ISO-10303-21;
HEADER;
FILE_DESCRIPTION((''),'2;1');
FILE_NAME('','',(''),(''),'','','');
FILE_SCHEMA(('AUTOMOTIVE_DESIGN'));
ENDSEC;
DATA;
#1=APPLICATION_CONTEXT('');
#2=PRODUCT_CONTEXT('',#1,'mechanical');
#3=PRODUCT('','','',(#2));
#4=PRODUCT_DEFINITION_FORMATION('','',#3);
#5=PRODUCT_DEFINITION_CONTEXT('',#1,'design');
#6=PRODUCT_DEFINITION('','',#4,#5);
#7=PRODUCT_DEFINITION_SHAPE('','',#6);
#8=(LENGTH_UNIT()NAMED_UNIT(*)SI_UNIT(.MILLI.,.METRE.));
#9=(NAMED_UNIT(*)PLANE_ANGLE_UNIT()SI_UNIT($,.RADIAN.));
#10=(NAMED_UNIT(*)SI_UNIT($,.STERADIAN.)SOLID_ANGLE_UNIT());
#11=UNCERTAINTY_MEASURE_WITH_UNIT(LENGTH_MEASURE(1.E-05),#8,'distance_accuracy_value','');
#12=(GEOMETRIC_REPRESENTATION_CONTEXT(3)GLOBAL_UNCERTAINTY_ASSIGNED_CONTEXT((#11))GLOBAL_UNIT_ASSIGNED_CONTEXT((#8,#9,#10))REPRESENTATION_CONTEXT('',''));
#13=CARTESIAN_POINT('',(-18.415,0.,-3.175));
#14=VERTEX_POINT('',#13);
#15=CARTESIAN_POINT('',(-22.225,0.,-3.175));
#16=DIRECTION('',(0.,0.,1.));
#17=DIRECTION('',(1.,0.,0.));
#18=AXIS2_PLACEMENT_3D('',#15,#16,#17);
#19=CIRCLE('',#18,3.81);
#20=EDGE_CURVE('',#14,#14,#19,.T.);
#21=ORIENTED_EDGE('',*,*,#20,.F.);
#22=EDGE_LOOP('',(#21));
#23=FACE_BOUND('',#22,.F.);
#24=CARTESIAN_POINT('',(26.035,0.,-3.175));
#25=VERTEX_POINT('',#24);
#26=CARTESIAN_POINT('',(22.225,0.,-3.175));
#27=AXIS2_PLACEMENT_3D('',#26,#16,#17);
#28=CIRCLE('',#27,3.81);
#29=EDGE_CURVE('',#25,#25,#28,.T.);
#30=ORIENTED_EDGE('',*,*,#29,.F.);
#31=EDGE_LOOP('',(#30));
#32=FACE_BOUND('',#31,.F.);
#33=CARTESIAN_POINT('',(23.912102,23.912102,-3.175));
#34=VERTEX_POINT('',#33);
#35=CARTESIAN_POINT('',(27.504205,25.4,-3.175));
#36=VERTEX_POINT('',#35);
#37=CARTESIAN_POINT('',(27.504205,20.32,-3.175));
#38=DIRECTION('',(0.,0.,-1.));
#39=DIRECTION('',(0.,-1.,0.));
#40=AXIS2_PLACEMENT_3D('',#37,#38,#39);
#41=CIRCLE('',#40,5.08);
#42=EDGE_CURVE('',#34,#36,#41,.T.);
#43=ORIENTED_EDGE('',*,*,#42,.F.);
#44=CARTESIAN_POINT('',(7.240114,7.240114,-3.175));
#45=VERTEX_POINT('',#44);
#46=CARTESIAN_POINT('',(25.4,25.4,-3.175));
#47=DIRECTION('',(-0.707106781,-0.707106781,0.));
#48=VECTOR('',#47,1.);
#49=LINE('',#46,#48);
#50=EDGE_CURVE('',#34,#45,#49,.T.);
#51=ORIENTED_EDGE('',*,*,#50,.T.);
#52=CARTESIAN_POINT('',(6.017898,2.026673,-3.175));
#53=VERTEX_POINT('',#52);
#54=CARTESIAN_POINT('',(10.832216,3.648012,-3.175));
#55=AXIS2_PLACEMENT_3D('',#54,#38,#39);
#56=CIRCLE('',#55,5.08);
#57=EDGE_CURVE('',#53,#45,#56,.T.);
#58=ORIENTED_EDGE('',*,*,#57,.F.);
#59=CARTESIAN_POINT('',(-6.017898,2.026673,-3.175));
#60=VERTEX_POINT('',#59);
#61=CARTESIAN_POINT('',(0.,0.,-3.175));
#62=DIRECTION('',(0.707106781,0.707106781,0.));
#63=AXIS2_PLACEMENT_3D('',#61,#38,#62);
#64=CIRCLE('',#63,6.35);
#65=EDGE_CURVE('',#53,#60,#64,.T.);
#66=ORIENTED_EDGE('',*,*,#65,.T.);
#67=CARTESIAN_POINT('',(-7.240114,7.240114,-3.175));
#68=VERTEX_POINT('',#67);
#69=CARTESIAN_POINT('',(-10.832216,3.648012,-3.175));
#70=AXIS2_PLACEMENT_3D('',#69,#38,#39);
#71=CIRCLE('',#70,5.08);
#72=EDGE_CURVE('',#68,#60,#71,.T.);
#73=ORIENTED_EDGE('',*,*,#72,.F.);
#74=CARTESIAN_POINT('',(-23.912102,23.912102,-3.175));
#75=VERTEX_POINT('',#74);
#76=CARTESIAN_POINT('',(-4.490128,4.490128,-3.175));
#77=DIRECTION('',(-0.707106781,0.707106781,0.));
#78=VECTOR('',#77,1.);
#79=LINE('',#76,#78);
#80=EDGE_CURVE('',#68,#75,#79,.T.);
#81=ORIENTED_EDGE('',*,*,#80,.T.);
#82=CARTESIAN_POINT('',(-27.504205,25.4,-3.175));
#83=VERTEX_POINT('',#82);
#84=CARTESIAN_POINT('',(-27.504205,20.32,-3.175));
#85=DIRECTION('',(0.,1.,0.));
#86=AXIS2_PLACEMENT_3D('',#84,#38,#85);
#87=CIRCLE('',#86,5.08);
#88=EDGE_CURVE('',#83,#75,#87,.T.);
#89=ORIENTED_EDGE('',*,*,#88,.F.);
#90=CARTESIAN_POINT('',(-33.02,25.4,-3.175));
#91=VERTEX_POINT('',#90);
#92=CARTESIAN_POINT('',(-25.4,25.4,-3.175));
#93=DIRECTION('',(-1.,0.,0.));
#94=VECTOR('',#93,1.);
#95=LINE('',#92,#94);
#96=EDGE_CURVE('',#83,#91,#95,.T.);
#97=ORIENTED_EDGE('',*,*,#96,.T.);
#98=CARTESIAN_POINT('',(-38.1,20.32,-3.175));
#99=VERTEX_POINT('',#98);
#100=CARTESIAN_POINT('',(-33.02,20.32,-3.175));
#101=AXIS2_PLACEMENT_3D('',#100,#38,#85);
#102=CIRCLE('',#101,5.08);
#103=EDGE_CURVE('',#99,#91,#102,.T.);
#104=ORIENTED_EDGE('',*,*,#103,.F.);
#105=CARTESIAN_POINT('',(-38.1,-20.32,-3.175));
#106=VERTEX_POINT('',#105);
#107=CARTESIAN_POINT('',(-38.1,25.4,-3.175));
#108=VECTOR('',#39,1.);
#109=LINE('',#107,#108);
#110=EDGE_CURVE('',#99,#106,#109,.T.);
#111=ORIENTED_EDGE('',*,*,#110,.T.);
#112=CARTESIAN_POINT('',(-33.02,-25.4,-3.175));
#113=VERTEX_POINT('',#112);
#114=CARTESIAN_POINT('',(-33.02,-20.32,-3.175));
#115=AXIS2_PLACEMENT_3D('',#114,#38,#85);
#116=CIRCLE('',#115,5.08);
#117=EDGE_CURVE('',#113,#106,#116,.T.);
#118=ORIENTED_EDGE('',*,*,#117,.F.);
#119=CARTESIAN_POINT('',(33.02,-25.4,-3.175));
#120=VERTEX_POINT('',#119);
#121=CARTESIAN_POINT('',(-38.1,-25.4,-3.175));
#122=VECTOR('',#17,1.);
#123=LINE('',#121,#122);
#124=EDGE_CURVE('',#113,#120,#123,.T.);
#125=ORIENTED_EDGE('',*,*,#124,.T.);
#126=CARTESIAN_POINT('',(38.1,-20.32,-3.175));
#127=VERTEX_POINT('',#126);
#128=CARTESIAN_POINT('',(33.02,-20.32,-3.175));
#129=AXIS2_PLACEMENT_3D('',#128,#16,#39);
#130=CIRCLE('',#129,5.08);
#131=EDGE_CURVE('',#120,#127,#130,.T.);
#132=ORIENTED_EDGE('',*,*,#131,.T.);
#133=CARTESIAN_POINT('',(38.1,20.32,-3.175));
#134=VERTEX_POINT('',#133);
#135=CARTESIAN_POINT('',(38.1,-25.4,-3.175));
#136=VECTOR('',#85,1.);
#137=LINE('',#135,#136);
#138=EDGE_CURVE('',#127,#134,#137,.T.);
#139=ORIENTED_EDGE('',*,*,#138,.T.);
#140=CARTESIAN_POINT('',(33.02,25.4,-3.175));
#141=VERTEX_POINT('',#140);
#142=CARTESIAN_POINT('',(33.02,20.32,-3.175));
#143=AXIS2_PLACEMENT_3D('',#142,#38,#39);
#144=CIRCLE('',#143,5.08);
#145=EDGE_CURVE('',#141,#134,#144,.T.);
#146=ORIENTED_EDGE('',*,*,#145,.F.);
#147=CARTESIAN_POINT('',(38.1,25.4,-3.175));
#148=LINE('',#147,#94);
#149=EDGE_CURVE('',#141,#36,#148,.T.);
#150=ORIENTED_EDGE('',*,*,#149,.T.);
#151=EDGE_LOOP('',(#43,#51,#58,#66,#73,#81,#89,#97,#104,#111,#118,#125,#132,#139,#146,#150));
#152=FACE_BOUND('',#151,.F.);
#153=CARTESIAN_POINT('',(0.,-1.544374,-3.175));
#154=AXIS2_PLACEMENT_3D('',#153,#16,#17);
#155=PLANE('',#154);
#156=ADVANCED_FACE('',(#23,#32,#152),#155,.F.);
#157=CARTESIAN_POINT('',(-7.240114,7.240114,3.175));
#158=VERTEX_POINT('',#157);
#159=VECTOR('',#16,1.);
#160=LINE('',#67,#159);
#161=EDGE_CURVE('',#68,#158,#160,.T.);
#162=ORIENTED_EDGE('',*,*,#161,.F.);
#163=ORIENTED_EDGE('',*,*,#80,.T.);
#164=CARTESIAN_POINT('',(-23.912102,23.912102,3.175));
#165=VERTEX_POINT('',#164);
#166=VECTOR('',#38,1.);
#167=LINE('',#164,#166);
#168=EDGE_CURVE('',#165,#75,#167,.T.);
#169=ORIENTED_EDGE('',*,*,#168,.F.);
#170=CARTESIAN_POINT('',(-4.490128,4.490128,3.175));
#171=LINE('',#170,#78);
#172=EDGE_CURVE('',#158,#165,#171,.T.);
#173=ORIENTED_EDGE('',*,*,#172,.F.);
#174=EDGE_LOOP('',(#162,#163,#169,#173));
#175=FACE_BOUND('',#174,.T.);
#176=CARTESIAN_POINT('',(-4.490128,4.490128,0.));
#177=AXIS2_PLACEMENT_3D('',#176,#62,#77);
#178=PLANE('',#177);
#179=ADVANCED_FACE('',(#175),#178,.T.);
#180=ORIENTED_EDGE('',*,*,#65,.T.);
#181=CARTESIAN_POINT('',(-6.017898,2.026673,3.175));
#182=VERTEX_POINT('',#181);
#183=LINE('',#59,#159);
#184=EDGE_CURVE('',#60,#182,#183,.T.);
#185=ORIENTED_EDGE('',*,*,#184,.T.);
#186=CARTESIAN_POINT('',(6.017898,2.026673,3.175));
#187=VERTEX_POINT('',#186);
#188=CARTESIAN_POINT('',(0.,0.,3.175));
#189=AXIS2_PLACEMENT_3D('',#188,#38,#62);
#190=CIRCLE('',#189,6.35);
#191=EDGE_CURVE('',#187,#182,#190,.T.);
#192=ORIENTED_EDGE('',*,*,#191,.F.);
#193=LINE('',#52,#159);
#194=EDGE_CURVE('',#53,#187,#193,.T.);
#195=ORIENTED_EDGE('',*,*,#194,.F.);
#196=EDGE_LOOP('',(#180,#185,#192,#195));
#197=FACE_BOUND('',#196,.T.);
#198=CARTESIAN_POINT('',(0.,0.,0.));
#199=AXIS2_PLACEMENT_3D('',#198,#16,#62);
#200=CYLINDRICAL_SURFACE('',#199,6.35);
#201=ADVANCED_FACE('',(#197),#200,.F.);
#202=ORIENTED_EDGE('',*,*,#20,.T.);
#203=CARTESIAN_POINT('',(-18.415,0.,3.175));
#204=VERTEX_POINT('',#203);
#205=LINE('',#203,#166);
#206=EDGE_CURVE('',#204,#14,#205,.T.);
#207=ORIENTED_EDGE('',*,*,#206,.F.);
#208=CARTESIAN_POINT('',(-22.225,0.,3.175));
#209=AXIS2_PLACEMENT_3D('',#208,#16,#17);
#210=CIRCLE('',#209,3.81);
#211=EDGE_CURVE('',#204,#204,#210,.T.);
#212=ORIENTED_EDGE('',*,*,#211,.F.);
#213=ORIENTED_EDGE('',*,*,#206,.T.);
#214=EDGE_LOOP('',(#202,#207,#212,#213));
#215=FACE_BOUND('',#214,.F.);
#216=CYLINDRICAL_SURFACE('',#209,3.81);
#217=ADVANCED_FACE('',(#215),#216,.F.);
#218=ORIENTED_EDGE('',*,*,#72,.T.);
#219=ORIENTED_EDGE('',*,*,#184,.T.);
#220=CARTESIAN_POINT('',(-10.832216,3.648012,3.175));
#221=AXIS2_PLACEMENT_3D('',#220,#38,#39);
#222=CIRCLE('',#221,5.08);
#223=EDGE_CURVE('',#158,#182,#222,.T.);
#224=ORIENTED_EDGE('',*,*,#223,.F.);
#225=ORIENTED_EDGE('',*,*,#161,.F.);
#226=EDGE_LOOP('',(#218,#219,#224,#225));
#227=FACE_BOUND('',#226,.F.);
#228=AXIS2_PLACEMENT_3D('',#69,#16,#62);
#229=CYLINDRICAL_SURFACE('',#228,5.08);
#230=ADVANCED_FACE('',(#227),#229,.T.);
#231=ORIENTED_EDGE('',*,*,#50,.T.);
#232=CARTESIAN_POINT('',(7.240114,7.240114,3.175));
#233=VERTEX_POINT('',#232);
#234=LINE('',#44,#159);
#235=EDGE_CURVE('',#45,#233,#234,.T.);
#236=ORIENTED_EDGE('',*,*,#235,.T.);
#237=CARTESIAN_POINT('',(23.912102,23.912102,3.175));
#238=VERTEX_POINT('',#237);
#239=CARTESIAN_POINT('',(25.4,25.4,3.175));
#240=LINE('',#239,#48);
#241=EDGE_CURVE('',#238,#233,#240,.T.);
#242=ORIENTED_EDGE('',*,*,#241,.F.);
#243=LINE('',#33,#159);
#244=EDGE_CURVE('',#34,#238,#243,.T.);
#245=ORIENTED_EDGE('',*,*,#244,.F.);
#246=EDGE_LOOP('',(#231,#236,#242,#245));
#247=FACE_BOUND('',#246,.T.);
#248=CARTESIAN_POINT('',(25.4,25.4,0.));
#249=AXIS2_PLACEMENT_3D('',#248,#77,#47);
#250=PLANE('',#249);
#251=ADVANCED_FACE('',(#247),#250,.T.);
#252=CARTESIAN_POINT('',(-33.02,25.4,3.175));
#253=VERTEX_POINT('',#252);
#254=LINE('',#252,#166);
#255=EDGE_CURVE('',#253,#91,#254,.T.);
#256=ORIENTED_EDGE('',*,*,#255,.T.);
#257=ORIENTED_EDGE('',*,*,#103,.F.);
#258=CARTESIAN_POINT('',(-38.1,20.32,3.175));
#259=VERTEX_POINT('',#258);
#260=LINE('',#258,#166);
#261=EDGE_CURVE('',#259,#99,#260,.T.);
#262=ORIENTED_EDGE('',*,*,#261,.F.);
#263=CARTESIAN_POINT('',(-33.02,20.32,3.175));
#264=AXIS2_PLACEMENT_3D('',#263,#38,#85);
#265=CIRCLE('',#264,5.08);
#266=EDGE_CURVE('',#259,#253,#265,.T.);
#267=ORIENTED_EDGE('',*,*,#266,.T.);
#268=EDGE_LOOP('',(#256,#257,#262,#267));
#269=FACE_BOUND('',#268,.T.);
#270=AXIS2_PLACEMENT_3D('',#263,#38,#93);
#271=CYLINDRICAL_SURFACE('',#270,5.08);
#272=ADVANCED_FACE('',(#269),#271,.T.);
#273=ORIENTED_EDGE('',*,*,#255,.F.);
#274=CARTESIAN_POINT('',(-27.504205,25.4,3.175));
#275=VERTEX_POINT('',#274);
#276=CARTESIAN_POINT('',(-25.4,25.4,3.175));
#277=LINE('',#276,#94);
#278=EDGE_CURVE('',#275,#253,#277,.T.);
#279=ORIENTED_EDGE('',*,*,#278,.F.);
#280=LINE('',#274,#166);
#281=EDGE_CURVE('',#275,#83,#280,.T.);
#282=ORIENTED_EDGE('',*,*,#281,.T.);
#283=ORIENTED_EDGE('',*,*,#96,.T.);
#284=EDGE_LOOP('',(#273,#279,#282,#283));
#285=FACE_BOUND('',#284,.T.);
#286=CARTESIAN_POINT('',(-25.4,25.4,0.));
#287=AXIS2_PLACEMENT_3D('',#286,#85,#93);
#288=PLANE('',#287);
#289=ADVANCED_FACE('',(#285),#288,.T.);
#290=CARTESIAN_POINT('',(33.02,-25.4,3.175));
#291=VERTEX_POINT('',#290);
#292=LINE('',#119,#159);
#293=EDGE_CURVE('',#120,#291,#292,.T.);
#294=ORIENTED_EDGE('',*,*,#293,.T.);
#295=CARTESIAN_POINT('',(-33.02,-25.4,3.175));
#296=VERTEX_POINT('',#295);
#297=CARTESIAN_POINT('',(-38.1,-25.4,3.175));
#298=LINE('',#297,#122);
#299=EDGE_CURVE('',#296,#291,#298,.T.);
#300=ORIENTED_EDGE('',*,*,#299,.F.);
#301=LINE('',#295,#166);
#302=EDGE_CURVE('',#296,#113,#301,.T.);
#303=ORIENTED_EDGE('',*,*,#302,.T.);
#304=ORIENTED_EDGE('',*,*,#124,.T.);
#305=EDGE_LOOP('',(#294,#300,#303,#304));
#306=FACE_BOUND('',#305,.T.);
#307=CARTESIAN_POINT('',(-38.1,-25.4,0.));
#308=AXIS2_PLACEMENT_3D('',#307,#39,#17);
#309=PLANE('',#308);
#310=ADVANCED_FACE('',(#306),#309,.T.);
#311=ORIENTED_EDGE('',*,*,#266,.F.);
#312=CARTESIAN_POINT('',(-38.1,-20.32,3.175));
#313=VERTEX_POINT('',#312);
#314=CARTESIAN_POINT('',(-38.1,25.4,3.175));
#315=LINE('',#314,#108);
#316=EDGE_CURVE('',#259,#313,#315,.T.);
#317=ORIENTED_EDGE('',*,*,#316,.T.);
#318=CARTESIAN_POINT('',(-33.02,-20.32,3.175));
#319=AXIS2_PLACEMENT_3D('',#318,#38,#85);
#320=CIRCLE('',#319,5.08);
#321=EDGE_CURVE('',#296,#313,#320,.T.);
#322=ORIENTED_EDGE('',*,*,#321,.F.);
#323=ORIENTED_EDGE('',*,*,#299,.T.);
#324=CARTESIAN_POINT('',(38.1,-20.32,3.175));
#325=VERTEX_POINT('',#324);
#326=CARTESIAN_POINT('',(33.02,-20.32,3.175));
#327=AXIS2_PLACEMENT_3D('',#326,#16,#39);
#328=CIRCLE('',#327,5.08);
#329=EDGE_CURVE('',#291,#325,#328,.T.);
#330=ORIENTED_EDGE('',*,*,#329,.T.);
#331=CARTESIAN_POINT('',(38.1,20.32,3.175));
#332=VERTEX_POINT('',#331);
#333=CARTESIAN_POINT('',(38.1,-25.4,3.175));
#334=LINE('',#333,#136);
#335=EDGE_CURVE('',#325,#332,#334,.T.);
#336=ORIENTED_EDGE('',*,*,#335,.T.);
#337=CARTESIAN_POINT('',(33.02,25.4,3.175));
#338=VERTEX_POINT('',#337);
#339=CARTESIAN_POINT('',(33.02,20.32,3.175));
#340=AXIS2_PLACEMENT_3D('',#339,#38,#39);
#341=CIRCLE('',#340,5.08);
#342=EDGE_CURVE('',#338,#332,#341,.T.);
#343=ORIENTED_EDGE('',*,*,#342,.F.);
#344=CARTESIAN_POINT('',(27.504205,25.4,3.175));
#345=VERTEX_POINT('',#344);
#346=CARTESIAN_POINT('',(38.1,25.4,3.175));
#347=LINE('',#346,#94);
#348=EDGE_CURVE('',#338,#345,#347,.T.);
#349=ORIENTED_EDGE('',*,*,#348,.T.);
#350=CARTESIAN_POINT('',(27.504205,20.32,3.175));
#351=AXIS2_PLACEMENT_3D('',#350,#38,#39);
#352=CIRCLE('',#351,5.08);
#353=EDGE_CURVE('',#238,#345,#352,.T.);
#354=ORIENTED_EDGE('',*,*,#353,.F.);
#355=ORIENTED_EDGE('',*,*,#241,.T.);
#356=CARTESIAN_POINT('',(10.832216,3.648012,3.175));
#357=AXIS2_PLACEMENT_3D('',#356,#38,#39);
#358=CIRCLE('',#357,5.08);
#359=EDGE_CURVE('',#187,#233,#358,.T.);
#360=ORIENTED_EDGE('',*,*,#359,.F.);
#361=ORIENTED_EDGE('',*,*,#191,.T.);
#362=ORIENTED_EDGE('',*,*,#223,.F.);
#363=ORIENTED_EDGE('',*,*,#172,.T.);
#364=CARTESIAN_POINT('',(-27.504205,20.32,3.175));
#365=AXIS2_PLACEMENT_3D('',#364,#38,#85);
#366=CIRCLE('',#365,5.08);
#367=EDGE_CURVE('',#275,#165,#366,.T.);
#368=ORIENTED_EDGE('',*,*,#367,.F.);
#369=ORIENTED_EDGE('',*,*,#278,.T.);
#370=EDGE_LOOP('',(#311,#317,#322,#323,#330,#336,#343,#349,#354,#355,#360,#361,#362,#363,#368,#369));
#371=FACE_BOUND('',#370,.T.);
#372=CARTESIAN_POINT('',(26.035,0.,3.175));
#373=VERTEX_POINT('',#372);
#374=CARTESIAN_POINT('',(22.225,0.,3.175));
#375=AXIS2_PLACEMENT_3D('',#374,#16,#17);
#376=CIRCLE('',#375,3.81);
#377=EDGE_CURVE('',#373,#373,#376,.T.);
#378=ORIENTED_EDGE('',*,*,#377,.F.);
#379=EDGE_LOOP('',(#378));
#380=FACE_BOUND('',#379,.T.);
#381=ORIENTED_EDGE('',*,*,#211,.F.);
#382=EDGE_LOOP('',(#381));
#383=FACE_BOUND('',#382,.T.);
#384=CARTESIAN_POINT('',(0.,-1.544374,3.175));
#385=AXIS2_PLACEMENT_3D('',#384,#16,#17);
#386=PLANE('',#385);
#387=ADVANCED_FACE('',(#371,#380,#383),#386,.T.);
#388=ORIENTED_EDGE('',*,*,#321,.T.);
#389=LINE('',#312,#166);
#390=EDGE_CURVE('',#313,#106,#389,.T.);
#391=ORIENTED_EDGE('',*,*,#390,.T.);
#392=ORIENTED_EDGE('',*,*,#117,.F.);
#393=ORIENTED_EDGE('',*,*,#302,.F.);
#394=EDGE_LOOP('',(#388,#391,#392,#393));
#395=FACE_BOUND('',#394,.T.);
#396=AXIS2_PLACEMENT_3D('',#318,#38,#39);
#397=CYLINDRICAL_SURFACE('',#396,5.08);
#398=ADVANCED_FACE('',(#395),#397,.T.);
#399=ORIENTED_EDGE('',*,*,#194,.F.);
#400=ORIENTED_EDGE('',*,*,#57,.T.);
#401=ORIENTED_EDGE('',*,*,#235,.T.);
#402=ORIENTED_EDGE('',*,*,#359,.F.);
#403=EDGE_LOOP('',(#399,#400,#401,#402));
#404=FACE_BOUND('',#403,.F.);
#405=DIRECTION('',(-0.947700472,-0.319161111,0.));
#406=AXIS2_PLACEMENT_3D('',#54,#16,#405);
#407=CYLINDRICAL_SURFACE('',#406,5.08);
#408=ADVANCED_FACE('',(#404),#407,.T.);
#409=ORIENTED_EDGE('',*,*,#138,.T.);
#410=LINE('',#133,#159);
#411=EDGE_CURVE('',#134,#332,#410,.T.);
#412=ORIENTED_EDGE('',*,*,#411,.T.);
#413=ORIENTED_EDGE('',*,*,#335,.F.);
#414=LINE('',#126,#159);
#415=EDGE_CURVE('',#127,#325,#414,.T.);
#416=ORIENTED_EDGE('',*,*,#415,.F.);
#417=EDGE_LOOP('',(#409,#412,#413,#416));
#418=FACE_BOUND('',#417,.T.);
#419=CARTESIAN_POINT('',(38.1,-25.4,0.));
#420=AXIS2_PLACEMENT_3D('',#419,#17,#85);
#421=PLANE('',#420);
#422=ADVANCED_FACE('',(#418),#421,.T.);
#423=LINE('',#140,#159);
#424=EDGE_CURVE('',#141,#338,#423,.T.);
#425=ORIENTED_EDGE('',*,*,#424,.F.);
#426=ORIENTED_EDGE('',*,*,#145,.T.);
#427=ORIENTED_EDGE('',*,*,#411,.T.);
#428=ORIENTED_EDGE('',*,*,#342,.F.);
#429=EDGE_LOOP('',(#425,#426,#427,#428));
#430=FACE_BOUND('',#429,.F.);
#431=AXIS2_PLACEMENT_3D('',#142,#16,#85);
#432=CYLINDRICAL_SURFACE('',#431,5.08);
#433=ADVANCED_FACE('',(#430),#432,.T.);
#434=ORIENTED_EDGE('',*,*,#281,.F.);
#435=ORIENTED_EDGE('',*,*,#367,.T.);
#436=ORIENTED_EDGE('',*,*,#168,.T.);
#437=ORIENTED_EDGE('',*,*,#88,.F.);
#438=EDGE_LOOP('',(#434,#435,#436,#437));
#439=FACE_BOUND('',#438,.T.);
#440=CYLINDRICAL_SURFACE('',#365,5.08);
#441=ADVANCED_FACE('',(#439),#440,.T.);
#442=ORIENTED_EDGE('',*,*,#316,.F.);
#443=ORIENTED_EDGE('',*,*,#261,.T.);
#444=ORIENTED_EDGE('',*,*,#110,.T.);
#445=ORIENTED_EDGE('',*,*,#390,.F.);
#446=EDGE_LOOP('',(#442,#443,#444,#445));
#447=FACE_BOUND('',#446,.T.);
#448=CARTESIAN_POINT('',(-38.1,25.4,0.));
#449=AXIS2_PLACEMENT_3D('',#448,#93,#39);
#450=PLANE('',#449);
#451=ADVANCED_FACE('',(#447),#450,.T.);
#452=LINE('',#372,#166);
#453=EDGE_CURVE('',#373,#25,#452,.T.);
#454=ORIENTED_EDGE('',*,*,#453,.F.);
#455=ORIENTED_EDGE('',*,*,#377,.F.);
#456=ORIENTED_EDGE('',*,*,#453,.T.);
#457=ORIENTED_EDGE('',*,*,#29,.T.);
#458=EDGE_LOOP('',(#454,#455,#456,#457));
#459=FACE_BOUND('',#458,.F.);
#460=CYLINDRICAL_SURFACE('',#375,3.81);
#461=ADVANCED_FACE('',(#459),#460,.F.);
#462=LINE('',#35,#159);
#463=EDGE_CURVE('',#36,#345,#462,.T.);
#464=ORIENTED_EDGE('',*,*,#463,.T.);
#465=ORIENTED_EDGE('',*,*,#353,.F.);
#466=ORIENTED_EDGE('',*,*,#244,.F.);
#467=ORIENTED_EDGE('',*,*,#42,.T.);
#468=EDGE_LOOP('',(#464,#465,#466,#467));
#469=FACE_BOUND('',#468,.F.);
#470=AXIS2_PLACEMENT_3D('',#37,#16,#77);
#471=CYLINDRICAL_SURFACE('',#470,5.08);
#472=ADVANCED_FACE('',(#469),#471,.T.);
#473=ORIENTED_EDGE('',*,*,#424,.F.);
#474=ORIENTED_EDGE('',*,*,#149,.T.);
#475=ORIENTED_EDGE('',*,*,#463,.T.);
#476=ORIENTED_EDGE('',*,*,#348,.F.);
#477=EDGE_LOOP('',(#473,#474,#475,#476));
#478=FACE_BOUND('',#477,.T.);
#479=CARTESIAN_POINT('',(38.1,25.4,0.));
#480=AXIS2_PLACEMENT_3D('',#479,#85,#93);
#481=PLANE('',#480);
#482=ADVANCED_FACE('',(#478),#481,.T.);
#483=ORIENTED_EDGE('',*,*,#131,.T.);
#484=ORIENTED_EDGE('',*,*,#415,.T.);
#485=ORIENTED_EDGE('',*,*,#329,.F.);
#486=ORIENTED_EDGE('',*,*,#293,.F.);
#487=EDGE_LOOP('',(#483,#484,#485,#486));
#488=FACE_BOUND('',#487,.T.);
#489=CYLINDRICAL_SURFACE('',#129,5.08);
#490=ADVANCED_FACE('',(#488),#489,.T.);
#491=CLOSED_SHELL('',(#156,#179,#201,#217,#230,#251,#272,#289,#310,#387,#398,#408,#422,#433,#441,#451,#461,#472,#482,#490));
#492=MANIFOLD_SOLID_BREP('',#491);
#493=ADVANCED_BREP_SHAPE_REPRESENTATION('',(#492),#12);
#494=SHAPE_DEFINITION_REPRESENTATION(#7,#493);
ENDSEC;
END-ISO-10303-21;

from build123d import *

# Parameters (mm, degrees)
F1_DEPTH = 3.175
F2_R     = 5.08
F3_R     = 3.81
F4_DEPTH = 25.4


with BuildPart() as f1:
    # F0 (on Top) → F1 (new body, symmetric)
    with BuildSketch(Plane.XY):
        with BuildLine():
            Line((-38.1, -25.4), (38.1, -25.4))
            Line((38.1, -25.4), (38.1, 25.4))
            Line((38.1, 25.4), (25.4, 25.4))
            Line((25.4, 25.4), (4.4901280605, 4.4901280605))
            ThreePointArc((4.4901280605, 4.4901280605), (0, -6.35), (-4.4901280605, 4.4901280605))
            Line((-4.4901280605, 4.4901280605), (-25.4, 25.4))
            Line((-25.4, 25.4), (-38.1, 25.4))
            Line((-38.1, 25.4), (-38.1, -25.4))
        make_face()
    extrude(amount=F1_DEPTH, both=True)

    # F2
    f2_edges = [f1.edges().sort_by_distance(p)[0] for p in [
        (4.490128, 4.490128, 0),
        (-4.490128, 4.490128, 0),
        (-25.4, 25.4, 0),
        (-38.1, 25.4, 0),
        (-38.1, -25.4, 0),
        (38.1, 25.4, 0),
        (25.4, 25.4, 0),
        (38.1, -25.4, 0),
    ]]
    fillet(f2_edges, radius=F2_R)

    # F3 (on face) → F4 (cut)
    with BuildSketch(Plane.XY.offset(3.175)):
        with BuildLine():
            ThreePointArc((-26.035, 0), (-22.225, -3.81), (-18.415, 0))
            ThreePointArc((-18.415, 0), (-22.225, 3.81), (-26.035, 0))
        make_face()
        with Locations((22.225, 0)):
            Circle(F3_R)
    extrude(amount=-F4_DEPTH, mode=Mode.SUBTRACT)


solid = f1.part
